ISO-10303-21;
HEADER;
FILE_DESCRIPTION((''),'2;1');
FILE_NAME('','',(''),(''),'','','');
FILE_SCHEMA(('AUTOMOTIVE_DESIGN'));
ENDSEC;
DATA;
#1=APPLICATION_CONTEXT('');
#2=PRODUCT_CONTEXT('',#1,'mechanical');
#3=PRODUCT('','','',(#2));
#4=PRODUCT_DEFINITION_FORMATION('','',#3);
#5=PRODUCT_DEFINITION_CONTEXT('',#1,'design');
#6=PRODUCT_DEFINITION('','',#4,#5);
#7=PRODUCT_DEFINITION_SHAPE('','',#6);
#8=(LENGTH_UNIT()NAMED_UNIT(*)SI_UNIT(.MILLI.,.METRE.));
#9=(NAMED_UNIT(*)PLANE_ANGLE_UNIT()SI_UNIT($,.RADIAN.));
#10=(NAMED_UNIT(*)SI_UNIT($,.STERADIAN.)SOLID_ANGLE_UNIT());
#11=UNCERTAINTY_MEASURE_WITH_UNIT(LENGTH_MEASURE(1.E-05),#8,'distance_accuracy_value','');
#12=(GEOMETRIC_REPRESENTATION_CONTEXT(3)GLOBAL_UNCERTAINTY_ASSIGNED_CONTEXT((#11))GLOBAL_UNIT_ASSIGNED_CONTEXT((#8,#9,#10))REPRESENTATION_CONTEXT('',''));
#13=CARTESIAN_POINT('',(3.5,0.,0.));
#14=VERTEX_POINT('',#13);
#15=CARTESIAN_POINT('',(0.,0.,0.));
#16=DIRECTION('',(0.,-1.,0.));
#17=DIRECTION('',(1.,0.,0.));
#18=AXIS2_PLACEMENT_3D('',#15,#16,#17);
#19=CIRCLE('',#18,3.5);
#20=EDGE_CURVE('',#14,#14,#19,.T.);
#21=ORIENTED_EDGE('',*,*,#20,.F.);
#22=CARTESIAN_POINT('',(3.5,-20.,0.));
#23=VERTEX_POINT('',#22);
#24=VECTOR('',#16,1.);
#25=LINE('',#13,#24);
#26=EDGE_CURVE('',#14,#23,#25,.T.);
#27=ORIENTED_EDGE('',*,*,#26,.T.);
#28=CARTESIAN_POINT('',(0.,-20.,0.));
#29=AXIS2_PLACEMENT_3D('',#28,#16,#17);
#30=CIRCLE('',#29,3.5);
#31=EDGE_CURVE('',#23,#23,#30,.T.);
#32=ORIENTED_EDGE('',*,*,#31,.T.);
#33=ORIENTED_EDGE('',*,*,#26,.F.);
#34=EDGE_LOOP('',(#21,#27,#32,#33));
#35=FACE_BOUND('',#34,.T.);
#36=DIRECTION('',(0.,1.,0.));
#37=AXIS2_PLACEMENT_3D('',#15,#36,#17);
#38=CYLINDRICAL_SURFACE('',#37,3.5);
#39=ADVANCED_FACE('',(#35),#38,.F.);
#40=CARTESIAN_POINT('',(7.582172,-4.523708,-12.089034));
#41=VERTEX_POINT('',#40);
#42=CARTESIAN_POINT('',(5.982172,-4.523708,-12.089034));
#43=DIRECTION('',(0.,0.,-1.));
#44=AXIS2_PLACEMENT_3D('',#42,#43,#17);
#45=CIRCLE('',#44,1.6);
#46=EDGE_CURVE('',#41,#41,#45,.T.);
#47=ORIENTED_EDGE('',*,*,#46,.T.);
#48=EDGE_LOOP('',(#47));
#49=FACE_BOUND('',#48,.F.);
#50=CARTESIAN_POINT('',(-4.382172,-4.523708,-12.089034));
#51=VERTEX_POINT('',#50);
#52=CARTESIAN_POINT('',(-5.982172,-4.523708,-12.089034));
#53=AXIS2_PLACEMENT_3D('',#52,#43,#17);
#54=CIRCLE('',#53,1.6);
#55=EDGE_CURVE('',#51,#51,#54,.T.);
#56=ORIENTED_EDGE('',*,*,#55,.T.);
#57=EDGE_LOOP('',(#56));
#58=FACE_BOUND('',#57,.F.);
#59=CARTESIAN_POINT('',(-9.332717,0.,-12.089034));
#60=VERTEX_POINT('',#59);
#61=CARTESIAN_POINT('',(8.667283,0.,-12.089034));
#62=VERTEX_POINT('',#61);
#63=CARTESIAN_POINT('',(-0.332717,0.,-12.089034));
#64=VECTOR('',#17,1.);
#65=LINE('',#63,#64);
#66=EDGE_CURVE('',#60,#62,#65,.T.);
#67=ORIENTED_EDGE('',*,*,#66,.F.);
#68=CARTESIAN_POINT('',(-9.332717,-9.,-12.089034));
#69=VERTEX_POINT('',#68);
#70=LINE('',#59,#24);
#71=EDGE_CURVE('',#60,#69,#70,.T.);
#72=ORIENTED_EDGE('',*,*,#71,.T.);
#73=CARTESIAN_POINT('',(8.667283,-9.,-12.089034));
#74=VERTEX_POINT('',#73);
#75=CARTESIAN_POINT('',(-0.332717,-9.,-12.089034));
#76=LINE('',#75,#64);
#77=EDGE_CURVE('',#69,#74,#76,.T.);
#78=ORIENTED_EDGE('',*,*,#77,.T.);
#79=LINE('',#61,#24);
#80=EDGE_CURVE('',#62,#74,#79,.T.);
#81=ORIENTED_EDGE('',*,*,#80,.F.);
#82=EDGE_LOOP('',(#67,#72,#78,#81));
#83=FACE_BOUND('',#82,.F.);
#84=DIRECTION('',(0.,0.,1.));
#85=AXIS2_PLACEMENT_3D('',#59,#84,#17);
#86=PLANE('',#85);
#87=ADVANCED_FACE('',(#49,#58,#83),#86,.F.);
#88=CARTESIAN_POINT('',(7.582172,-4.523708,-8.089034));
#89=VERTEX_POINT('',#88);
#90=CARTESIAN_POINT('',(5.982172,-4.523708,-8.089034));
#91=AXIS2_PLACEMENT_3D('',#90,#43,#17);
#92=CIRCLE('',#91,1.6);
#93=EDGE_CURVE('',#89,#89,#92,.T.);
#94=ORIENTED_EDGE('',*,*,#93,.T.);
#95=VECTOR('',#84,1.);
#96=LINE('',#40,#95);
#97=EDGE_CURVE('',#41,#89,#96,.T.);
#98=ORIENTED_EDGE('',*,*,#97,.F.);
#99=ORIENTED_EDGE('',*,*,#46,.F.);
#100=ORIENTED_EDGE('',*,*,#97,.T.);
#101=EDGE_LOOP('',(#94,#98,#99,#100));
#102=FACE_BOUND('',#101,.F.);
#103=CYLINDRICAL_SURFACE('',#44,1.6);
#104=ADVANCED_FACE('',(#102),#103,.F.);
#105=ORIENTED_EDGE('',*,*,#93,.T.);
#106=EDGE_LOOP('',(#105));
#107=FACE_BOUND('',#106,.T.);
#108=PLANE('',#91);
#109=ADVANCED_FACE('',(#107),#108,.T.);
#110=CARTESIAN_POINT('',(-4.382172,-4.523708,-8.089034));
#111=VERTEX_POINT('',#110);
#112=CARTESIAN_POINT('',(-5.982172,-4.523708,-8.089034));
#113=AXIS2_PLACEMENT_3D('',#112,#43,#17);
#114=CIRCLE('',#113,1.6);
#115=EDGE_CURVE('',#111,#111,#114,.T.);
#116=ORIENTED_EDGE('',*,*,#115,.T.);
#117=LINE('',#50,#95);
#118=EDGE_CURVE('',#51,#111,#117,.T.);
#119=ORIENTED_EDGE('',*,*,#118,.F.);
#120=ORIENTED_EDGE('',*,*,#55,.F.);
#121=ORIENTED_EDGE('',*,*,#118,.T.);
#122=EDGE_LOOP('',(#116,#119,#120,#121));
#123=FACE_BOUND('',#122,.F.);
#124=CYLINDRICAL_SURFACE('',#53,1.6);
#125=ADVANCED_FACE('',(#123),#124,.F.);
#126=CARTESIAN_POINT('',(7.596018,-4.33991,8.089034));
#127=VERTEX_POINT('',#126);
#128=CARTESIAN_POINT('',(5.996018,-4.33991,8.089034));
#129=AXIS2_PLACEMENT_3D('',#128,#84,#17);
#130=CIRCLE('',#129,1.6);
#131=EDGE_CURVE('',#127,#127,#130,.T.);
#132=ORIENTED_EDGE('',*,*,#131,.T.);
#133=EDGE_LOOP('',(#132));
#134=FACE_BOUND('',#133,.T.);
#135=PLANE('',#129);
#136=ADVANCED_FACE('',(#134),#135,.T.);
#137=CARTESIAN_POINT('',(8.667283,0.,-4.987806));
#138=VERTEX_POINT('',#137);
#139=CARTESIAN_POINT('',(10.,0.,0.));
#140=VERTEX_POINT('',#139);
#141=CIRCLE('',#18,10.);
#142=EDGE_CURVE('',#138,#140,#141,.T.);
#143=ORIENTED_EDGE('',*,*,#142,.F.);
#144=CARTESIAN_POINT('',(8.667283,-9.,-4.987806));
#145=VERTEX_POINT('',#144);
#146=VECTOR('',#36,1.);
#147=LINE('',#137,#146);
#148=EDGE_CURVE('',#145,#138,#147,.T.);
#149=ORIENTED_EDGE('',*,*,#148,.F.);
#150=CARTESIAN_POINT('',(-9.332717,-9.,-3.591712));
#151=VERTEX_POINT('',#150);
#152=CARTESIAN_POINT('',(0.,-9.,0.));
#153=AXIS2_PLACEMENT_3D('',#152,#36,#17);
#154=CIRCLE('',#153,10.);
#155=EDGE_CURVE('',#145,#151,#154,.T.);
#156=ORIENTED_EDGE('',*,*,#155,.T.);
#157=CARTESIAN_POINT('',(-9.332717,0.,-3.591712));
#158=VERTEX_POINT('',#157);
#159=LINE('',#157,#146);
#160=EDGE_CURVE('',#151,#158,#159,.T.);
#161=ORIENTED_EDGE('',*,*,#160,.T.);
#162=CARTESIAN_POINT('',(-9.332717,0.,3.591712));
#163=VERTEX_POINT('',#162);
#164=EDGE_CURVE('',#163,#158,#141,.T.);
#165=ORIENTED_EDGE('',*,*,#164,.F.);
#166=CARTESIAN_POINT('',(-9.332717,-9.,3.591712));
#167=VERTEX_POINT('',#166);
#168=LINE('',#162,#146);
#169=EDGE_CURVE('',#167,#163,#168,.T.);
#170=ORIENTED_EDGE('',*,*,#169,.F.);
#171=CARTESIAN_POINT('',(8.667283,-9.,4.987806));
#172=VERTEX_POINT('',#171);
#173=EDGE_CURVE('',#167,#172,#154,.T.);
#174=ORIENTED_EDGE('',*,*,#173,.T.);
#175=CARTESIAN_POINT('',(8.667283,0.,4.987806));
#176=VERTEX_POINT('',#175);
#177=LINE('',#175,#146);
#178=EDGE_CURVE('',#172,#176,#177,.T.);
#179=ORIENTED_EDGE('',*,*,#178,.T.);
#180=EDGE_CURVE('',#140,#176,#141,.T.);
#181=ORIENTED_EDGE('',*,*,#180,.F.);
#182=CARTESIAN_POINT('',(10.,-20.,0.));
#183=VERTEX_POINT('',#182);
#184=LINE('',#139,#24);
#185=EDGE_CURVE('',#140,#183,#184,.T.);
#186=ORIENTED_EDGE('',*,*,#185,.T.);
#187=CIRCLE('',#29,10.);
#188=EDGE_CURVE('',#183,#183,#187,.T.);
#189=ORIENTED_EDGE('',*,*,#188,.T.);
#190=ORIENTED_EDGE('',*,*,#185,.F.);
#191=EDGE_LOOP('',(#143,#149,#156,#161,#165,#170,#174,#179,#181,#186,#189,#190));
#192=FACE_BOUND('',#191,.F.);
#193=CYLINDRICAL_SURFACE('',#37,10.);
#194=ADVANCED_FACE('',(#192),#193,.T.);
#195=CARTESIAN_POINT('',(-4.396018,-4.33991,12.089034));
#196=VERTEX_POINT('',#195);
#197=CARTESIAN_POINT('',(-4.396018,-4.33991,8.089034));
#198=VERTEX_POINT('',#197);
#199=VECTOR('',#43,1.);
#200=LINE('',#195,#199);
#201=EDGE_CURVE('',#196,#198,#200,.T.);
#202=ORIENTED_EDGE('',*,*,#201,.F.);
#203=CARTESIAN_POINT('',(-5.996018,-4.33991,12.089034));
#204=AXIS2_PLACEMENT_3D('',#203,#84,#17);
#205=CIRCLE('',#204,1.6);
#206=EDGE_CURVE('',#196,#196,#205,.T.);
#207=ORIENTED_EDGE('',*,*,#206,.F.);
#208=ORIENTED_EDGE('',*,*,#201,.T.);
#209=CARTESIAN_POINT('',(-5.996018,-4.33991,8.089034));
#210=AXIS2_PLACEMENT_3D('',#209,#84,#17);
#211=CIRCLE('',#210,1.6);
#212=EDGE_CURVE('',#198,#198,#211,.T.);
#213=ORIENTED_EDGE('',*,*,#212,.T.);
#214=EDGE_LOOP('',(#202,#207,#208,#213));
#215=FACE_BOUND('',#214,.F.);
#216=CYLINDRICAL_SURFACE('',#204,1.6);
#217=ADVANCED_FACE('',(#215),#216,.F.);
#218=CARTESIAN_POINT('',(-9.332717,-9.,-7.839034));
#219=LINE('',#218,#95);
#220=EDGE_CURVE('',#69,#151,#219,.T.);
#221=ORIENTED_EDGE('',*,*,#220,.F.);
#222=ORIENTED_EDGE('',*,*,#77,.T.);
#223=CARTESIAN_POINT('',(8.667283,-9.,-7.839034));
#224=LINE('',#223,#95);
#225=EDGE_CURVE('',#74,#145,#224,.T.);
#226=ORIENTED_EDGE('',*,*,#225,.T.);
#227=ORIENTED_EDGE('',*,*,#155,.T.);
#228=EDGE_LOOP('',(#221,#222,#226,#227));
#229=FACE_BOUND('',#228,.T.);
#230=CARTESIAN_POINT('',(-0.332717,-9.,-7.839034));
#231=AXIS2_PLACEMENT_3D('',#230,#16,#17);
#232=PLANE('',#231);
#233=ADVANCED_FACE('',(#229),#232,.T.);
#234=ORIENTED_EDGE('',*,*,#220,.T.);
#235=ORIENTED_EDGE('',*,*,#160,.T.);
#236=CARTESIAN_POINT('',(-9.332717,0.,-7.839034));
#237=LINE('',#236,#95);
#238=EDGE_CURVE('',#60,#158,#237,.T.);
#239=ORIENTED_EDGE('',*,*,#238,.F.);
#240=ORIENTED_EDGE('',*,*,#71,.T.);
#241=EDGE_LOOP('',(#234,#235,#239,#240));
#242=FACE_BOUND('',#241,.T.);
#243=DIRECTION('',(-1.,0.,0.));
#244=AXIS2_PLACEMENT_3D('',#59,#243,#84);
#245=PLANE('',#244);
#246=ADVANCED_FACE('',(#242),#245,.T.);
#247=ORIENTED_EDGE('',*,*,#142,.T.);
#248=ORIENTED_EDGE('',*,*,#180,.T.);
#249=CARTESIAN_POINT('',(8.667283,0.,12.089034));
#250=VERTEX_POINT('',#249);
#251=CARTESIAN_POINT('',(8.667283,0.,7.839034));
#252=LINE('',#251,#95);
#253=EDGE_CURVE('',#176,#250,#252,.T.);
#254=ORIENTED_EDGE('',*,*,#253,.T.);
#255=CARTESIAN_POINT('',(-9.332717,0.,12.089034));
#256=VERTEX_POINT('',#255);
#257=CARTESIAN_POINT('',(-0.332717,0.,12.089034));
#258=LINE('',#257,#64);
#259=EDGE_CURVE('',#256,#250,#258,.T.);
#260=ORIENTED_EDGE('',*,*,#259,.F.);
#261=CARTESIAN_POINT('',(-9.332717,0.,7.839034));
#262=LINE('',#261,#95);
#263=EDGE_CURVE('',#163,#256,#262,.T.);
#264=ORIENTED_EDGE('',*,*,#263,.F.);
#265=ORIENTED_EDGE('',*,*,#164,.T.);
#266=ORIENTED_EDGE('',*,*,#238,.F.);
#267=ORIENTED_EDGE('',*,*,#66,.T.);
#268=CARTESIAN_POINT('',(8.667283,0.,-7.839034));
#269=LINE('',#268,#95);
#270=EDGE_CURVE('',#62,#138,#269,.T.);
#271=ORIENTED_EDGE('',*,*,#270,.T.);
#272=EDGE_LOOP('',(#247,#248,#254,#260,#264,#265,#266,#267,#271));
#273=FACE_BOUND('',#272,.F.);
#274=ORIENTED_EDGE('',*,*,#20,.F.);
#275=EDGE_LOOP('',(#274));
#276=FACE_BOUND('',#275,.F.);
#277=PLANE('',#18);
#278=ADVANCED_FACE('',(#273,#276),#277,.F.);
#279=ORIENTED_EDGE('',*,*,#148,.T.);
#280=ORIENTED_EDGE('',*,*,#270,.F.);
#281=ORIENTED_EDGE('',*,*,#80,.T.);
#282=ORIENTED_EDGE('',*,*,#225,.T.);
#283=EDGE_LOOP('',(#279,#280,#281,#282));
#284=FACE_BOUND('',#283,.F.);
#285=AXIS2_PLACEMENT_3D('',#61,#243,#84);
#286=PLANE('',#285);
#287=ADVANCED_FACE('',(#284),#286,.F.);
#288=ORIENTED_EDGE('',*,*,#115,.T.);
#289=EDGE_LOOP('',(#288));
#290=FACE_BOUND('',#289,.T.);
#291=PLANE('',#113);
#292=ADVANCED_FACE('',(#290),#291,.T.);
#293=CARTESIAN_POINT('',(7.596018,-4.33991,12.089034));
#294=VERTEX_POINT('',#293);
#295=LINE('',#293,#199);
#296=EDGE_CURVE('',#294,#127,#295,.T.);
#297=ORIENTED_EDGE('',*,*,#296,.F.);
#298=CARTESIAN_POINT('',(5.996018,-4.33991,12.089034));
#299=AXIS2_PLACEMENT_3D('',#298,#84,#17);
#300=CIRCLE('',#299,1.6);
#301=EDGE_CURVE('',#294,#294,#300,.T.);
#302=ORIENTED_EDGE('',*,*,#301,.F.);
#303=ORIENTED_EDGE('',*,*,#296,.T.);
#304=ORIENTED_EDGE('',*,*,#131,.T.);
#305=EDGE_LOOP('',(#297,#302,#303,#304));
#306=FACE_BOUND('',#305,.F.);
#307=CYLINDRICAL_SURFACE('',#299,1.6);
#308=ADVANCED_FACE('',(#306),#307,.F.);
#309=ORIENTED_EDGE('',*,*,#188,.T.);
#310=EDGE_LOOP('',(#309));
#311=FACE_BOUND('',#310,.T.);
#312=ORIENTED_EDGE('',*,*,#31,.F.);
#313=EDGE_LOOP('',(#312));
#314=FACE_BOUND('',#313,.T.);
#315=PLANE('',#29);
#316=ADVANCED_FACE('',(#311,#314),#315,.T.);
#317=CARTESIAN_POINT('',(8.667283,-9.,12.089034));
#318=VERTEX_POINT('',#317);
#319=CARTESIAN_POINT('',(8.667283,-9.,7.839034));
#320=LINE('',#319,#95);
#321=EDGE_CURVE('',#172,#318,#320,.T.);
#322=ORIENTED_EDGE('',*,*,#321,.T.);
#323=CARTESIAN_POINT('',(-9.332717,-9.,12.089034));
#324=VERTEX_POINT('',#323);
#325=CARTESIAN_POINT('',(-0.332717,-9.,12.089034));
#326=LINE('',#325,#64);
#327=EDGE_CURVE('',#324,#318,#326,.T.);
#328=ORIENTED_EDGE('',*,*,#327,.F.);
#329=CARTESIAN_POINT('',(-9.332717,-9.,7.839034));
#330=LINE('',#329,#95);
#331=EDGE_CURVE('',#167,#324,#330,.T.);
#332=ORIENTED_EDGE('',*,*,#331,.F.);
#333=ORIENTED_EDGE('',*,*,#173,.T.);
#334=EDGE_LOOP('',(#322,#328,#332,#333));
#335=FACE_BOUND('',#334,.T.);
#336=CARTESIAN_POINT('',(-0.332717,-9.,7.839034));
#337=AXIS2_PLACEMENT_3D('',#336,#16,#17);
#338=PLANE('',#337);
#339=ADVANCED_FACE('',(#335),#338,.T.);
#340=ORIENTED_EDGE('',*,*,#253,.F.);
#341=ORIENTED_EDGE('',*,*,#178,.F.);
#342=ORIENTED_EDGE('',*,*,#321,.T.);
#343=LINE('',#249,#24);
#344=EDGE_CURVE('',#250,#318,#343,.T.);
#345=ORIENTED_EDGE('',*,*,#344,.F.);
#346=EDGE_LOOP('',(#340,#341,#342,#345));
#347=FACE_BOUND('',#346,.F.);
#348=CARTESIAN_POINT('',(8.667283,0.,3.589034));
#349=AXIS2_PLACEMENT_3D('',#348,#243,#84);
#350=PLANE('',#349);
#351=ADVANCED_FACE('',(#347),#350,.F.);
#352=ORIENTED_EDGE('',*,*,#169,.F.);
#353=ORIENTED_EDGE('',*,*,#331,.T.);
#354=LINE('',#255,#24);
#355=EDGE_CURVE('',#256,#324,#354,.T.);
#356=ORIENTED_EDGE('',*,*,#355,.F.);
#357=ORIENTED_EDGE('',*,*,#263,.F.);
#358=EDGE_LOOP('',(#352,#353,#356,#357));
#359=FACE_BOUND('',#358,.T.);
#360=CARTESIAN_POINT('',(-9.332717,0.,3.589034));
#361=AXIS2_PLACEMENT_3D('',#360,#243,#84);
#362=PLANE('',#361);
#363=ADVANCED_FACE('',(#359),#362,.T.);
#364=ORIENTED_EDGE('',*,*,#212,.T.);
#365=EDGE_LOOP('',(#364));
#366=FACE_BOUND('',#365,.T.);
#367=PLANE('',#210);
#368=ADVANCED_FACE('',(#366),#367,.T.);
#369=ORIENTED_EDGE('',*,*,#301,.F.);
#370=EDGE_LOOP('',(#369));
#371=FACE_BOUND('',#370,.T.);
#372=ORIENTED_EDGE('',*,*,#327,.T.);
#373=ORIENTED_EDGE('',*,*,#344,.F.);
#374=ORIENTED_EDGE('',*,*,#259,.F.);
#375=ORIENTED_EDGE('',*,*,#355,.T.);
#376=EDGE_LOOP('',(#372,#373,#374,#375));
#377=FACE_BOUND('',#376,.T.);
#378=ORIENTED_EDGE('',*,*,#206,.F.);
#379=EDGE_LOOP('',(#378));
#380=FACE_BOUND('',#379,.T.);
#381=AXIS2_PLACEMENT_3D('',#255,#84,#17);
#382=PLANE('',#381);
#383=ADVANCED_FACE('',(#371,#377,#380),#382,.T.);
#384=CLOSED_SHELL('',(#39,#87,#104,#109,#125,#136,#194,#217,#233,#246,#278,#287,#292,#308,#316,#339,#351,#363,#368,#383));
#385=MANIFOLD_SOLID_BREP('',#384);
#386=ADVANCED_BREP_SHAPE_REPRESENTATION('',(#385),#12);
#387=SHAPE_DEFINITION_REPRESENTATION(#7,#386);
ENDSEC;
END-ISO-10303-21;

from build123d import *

# Parameters (mm, degrees)
F0_R     = 10
F0_R_2   = 3.5
F1_DEPTH = 20
F2_W     = 18
F2_H     = 8.5
F3_DEPTH = 9
F4_R     = 1.6
F5_DEPTH = 4
F6_R     = 1.6
F7_DEPTH = 4


with BuildPart() as f1:
    # F0 (on Front) → F1 (new body)
    with BuildSketch(Plane.XZ):
        Circle(F0_R)
        Circle(F0_R_2, mode=Mode.SUBTRACT)
    extrude(amount=F1_DEPTH)

    # F2 (on Front) → F3 (join)
    with BuildSketch(Plane.XZ):
        with Locations((-0.332717, 7.839034)):
            Rectangle(F2_W, F2_H)
        with Locations((-0.332717, -7.839034)):
            Rectangle(F2_W, F2_H)
    extrude(amount=F3_DEPTH)

    # F4 (on face) → F5 (cut)
    with BuildSketch(Plane.XY.offset(12.089034)):
        with Locations((-5.996018, -4.33991)):
            Circle(F4_R)
        with Locations((5.996018, -4.33991)):
            Circle(F4_R)
    extrude(amount=-F5_DEPTH, mode=Mode.SUBTRACT)

    # F6 (on face) → F7 (cut)
    with BuildSketch(Plane(origin=(0, 0, -12.089034), x_dir=(1, 0, 0), z_dir=(0, 0, -1))):
        with Locations((5.982172, 4.523708)):
            Circle(F6_R)
        with Locations((-5.982172, 4.523708)):
            Circle(F6_R)
    extrude(amount=-F7_DEPTH, mode=Mode.SUBTRACT)


solid = f1.part
